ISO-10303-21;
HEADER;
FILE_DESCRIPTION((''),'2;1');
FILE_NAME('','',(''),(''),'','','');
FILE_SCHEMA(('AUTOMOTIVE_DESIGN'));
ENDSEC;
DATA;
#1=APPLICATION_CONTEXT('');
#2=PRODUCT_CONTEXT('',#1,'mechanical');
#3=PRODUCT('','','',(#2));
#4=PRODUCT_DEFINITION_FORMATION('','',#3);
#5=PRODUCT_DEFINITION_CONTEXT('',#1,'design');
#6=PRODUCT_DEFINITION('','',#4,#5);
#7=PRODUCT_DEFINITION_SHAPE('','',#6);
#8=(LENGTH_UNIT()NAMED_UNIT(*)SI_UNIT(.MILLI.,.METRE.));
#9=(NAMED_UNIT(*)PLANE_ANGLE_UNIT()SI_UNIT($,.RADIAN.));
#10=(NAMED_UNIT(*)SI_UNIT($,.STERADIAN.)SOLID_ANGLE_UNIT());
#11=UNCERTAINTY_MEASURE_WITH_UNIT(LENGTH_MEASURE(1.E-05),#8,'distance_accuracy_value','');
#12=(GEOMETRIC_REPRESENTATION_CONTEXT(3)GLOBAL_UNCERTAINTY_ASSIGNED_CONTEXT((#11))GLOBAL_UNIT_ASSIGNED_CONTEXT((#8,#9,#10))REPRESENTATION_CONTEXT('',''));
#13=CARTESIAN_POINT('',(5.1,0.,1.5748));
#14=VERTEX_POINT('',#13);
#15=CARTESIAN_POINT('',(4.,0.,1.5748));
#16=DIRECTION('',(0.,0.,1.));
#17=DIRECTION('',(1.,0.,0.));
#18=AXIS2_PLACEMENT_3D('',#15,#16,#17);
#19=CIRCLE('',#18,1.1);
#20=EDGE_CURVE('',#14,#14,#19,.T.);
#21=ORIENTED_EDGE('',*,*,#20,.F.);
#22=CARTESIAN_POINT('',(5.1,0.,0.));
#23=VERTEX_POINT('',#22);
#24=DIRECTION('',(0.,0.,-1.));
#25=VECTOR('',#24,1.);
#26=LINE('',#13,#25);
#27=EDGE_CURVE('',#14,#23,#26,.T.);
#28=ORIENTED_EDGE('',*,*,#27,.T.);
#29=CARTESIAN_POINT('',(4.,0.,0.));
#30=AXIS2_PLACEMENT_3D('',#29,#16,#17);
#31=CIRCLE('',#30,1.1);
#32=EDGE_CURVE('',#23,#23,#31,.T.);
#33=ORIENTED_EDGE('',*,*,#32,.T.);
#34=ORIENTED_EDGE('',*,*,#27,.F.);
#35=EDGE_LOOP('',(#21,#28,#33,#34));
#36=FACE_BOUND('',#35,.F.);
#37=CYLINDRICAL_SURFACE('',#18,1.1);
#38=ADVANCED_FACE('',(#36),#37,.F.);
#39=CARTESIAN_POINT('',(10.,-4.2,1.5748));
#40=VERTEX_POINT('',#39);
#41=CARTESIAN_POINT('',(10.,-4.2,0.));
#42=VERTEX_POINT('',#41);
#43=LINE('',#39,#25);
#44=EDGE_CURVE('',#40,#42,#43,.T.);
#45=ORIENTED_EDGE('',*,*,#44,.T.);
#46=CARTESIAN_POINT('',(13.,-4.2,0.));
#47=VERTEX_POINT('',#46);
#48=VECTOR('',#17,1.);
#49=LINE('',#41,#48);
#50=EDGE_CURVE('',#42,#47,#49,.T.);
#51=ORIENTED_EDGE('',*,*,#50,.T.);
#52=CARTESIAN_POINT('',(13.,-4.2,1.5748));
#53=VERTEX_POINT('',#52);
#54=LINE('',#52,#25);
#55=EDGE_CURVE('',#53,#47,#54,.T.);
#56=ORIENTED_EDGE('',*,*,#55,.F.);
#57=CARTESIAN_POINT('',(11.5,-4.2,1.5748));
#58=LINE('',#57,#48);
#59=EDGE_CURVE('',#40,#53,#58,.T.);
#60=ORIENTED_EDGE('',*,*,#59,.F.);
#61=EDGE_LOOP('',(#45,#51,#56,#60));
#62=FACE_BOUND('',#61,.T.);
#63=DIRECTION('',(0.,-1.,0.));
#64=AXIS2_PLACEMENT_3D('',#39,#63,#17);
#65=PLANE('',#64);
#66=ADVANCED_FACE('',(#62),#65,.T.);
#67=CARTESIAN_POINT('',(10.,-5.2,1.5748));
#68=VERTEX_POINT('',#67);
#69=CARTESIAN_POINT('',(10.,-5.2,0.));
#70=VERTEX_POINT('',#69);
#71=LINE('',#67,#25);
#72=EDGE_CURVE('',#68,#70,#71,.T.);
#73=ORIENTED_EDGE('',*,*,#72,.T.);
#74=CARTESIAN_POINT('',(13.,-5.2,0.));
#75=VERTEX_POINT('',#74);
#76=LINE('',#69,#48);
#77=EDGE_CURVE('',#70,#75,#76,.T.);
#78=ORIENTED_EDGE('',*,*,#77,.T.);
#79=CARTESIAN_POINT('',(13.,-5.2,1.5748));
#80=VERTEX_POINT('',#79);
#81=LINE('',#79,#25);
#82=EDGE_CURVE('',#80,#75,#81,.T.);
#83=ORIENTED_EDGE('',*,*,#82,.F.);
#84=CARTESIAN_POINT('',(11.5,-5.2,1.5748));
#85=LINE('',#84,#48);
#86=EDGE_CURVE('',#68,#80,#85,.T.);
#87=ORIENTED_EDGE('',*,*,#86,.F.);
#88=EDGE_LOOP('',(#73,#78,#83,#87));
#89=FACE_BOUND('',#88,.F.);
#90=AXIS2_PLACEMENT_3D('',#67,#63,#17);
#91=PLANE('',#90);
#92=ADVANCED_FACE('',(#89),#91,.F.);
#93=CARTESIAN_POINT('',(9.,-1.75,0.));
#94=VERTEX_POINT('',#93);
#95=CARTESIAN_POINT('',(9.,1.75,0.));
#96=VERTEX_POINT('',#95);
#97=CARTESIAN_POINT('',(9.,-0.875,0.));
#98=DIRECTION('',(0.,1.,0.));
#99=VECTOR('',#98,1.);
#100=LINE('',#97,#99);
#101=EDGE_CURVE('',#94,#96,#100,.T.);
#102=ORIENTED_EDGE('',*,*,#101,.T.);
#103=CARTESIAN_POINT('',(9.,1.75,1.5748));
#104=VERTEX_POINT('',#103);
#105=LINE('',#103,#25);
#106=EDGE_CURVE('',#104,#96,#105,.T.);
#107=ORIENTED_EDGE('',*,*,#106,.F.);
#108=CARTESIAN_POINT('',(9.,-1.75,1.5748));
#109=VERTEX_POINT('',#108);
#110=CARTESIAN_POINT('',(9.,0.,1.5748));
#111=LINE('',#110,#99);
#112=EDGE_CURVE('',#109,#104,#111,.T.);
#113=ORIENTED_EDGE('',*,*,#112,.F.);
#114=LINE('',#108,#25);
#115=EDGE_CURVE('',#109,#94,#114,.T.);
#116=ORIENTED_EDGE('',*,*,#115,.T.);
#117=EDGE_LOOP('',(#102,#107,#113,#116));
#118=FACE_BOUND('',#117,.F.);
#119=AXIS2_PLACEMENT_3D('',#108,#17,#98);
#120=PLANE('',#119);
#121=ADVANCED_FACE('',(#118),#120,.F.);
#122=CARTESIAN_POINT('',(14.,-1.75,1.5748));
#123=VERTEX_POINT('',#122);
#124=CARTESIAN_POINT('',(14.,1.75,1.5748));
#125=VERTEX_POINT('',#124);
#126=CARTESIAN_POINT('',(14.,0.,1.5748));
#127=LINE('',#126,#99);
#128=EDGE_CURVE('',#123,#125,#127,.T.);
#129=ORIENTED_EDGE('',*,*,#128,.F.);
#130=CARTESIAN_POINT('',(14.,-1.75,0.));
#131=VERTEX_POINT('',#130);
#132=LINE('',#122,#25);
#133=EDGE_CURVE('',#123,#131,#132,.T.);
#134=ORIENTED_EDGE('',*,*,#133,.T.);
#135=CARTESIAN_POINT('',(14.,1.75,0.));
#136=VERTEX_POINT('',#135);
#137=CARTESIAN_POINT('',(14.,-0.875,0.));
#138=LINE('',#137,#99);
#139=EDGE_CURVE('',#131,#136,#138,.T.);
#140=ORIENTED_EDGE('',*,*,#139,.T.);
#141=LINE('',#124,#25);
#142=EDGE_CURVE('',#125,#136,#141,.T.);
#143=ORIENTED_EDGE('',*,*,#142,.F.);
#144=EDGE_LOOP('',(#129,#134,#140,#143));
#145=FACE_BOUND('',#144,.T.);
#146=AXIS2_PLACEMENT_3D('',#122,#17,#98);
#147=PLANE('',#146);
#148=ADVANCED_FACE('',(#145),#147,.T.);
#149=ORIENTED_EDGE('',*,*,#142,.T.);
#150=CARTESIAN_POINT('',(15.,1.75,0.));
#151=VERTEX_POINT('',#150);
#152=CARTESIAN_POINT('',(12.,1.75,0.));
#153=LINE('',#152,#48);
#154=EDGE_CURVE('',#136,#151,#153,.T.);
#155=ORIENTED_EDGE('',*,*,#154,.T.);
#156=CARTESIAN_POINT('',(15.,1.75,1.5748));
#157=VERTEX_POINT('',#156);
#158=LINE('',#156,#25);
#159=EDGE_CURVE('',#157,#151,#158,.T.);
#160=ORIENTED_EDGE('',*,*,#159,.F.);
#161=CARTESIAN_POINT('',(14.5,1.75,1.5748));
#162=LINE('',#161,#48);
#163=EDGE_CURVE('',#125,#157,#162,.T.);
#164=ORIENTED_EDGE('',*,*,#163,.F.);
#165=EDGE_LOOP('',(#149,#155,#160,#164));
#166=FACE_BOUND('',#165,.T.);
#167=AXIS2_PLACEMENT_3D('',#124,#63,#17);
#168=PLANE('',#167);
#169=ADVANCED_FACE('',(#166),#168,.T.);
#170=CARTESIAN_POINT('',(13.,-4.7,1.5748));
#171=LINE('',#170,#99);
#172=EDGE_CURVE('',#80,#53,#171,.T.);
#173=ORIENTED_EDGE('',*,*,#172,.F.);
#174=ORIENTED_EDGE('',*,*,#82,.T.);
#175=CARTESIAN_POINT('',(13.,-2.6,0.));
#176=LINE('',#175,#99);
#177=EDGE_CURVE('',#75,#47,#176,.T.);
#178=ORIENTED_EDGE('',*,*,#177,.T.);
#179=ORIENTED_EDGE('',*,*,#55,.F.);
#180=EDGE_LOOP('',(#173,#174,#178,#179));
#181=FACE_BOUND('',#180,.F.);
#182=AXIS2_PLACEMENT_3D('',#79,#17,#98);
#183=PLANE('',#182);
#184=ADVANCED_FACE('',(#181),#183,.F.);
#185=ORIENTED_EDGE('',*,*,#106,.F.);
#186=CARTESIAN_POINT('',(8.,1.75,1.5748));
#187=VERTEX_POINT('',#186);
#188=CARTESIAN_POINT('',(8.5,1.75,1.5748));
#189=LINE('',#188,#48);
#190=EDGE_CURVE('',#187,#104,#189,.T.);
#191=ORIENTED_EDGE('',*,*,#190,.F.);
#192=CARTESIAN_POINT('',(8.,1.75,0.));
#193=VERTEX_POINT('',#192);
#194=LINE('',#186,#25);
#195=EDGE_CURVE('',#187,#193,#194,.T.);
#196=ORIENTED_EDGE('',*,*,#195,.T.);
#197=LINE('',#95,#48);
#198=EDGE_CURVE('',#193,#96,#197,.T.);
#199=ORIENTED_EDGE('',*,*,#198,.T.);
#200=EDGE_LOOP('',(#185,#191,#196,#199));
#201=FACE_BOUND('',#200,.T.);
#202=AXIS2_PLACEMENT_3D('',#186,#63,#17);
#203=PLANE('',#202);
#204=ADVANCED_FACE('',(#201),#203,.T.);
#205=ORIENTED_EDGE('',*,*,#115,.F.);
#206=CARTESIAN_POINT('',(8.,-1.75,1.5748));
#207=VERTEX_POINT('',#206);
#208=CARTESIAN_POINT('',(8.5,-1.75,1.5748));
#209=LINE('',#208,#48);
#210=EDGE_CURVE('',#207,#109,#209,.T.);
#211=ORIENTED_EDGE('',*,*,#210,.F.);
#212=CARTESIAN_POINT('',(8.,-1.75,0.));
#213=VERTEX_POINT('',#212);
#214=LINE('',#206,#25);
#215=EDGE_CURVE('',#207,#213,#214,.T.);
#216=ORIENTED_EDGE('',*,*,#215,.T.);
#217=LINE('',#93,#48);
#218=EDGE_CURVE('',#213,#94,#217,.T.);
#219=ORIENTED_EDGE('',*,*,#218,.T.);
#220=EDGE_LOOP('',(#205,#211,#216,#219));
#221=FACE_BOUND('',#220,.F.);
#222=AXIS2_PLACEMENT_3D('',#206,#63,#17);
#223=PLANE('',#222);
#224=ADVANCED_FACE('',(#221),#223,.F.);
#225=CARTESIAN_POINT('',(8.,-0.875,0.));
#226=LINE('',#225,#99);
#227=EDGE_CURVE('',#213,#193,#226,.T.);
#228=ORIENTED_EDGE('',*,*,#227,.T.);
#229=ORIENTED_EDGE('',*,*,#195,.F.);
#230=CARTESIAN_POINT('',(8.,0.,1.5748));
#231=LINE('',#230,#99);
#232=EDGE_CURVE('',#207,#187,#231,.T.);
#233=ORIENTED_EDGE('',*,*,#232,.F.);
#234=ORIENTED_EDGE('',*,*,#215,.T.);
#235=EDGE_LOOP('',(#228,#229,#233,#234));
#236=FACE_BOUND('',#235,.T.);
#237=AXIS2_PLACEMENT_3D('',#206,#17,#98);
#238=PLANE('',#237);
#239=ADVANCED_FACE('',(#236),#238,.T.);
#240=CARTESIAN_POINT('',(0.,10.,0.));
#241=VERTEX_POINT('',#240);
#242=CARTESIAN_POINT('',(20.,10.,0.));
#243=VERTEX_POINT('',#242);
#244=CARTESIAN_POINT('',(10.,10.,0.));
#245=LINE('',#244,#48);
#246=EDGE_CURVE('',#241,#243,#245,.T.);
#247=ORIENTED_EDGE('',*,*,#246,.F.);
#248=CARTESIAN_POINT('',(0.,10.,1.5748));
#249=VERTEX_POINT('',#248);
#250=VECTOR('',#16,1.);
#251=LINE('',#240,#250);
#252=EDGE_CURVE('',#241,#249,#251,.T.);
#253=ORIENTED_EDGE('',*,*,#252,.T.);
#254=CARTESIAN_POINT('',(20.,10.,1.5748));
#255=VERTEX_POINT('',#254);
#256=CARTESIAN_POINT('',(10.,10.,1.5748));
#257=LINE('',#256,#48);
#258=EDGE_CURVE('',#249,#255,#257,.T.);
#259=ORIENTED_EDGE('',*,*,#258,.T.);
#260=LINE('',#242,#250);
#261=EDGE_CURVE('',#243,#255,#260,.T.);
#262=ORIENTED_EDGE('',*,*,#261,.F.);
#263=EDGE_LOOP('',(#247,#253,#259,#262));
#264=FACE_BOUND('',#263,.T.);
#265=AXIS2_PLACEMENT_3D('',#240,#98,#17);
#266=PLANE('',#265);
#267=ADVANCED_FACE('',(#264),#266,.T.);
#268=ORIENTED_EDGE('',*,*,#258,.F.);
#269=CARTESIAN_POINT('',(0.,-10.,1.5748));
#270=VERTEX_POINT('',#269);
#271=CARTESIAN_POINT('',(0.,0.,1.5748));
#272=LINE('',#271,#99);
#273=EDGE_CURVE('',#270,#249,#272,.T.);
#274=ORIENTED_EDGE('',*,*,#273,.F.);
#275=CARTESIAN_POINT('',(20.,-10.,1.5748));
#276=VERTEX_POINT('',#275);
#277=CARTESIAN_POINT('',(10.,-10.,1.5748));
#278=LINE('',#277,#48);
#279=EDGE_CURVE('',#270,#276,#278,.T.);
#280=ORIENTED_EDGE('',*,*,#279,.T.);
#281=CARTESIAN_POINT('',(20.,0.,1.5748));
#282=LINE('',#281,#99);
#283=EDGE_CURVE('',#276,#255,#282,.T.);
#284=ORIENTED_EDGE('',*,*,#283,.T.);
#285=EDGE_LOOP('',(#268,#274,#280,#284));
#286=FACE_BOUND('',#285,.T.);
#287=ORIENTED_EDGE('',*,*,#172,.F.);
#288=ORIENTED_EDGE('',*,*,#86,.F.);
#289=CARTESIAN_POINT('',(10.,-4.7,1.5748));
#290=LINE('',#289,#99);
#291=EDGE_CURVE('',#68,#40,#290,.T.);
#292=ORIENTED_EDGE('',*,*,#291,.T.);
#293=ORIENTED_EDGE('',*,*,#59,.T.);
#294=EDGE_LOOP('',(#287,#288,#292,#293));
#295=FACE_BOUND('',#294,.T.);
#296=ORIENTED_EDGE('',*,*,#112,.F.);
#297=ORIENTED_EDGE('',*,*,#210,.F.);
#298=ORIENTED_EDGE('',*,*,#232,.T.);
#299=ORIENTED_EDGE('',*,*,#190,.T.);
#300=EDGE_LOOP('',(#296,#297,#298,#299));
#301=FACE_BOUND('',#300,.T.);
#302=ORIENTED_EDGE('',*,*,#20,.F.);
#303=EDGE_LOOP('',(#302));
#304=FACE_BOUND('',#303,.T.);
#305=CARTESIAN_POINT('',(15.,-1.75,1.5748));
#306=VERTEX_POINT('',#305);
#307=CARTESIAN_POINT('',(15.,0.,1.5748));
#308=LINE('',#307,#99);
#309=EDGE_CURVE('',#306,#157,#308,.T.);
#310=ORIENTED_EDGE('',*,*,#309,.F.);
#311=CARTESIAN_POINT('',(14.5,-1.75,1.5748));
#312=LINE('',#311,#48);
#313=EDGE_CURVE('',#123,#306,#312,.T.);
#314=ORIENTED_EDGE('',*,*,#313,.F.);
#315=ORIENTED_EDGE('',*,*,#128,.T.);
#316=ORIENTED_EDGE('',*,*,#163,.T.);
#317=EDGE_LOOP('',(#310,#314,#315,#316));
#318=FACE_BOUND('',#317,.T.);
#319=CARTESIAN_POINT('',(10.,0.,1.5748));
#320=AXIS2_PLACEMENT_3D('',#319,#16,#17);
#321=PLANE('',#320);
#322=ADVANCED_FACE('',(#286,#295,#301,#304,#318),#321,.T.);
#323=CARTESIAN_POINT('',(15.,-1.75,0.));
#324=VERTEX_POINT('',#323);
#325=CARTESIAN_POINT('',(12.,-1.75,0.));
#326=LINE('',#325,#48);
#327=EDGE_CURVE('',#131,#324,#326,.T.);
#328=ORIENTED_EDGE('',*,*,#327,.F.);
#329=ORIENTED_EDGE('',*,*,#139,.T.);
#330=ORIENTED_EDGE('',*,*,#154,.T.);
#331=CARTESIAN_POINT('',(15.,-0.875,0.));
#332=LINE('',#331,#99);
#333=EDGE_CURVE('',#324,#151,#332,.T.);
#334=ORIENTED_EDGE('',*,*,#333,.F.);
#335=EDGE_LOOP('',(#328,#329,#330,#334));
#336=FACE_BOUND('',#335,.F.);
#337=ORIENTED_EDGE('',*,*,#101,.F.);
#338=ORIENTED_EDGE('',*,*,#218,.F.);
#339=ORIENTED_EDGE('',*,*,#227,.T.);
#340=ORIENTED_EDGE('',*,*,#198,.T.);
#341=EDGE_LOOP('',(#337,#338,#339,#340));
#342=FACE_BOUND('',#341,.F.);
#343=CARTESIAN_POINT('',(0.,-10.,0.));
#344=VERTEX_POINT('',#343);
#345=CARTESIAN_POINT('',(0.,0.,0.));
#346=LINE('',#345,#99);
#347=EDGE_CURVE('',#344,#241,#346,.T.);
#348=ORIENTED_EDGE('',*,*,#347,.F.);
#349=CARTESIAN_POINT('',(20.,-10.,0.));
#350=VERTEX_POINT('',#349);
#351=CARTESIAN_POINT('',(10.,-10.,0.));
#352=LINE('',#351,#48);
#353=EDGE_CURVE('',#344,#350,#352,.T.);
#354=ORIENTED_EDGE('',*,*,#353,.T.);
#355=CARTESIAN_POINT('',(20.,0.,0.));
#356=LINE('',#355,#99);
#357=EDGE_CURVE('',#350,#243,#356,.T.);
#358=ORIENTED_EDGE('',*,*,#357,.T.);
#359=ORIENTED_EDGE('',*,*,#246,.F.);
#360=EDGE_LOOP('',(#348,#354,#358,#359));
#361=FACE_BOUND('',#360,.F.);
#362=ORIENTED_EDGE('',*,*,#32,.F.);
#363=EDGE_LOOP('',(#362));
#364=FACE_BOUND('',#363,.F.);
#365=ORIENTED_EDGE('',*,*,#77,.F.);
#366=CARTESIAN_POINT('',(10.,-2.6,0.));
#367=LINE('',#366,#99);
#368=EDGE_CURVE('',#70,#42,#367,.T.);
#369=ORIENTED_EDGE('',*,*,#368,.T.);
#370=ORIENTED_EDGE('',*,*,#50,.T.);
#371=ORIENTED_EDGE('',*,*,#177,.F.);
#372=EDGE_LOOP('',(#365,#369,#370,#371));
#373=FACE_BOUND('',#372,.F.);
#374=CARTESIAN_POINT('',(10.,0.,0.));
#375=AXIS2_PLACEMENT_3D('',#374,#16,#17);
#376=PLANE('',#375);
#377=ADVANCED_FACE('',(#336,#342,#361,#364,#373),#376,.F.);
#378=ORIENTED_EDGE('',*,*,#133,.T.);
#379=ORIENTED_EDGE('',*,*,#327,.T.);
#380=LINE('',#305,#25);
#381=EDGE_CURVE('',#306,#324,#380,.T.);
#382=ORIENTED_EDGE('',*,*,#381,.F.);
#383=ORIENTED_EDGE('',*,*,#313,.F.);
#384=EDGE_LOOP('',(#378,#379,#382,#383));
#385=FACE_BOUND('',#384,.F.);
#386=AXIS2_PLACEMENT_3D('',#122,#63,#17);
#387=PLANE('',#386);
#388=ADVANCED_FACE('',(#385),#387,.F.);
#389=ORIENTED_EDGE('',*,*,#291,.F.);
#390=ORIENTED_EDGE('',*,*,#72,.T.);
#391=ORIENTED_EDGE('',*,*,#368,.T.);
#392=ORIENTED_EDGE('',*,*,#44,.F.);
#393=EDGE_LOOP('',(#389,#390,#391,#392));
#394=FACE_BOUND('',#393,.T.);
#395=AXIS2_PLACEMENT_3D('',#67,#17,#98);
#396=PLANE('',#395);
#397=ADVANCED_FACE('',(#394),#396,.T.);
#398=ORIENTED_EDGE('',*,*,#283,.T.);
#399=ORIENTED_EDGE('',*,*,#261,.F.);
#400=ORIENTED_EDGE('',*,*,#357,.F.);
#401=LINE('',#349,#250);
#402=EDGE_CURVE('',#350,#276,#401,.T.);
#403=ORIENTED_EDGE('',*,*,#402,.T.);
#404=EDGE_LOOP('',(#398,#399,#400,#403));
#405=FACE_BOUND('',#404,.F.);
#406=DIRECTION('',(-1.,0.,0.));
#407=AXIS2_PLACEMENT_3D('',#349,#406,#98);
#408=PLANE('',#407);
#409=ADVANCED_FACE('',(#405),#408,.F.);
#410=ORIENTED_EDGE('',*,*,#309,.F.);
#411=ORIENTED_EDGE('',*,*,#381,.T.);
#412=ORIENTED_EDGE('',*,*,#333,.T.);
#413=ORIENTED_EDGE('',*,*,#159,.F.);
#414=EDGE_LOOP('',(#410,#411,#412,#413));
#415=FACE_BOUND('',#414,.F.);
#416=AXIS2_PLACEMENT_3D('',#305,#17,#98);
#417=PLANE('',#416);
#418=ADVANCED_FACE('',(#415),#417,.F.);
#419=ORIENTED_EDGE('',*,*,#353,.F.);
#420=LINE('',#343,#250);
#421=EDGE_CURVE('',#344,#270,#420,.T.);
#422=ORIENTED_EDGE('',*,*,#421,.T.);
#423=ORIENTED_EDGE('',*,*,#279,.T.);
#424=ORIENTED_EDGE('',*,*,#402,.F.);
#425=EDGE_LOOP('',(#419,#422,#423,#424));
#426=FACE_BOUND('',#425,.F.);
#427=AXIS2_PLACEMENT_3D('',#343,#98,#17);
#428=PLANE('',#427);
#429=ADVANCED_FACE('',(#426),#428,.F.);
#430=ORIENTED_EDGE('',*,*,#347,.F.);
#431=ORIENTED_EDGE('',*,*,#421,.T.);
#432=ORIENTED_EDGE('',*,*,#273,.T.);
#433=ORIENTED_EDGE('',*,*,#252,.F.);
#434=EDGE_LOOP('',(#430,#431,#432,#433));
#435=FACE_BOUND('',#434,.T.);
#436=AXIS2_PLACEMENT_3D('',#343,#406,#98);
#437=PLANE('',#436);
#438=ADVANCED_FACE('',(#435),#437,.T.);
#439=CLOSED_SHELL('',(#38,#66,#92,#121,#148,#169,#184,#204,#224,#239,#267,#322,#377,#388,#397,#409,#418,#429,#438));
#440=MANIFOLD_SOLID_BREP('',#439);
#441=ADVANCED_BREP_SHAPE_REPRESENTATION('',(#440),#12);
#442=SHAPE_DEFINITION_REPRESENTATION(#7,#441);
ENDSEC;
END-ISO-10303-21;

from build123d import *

# Parameters (mm, degrees)
F0_W     = 20
F0_H     = 20
F1_DEPTH = 1.5748
F2_R     = 1.1
F2_W     = 1
F2_H     = 3.5
F2_W_2   = 3
F2_H_2   = 1
F3_DEPTH = 25


with BuildPart() as f1:
    # F0 (on Top) → F1 (new body)
    with BuildSketch(Plane.XY):
        with Locations((10, 0)):
            Rectangle(F0_W, F0_H)
    extrude(amount=F1_DEPTH)

    # F2 (on face) → F3 (cut)
    with BuildSketch(Plane.XY.offset(1.5748)):
        with Locations((4, 0)):
            Circle(F2_R)
        with Locations((8.5, 0)):
            Rectangle(F2_W, F2_H)
        with Locations((14.5, 0)):
            Rectangle(F2_W, F2_H)
        with Locations((11.5, -4.7)):
            Rectangle(F2_W_2, F2_H_2)
    extrude(amount=-F3_DEPTH, mode=Mode.SUBTRACT)


solid = f1.part
